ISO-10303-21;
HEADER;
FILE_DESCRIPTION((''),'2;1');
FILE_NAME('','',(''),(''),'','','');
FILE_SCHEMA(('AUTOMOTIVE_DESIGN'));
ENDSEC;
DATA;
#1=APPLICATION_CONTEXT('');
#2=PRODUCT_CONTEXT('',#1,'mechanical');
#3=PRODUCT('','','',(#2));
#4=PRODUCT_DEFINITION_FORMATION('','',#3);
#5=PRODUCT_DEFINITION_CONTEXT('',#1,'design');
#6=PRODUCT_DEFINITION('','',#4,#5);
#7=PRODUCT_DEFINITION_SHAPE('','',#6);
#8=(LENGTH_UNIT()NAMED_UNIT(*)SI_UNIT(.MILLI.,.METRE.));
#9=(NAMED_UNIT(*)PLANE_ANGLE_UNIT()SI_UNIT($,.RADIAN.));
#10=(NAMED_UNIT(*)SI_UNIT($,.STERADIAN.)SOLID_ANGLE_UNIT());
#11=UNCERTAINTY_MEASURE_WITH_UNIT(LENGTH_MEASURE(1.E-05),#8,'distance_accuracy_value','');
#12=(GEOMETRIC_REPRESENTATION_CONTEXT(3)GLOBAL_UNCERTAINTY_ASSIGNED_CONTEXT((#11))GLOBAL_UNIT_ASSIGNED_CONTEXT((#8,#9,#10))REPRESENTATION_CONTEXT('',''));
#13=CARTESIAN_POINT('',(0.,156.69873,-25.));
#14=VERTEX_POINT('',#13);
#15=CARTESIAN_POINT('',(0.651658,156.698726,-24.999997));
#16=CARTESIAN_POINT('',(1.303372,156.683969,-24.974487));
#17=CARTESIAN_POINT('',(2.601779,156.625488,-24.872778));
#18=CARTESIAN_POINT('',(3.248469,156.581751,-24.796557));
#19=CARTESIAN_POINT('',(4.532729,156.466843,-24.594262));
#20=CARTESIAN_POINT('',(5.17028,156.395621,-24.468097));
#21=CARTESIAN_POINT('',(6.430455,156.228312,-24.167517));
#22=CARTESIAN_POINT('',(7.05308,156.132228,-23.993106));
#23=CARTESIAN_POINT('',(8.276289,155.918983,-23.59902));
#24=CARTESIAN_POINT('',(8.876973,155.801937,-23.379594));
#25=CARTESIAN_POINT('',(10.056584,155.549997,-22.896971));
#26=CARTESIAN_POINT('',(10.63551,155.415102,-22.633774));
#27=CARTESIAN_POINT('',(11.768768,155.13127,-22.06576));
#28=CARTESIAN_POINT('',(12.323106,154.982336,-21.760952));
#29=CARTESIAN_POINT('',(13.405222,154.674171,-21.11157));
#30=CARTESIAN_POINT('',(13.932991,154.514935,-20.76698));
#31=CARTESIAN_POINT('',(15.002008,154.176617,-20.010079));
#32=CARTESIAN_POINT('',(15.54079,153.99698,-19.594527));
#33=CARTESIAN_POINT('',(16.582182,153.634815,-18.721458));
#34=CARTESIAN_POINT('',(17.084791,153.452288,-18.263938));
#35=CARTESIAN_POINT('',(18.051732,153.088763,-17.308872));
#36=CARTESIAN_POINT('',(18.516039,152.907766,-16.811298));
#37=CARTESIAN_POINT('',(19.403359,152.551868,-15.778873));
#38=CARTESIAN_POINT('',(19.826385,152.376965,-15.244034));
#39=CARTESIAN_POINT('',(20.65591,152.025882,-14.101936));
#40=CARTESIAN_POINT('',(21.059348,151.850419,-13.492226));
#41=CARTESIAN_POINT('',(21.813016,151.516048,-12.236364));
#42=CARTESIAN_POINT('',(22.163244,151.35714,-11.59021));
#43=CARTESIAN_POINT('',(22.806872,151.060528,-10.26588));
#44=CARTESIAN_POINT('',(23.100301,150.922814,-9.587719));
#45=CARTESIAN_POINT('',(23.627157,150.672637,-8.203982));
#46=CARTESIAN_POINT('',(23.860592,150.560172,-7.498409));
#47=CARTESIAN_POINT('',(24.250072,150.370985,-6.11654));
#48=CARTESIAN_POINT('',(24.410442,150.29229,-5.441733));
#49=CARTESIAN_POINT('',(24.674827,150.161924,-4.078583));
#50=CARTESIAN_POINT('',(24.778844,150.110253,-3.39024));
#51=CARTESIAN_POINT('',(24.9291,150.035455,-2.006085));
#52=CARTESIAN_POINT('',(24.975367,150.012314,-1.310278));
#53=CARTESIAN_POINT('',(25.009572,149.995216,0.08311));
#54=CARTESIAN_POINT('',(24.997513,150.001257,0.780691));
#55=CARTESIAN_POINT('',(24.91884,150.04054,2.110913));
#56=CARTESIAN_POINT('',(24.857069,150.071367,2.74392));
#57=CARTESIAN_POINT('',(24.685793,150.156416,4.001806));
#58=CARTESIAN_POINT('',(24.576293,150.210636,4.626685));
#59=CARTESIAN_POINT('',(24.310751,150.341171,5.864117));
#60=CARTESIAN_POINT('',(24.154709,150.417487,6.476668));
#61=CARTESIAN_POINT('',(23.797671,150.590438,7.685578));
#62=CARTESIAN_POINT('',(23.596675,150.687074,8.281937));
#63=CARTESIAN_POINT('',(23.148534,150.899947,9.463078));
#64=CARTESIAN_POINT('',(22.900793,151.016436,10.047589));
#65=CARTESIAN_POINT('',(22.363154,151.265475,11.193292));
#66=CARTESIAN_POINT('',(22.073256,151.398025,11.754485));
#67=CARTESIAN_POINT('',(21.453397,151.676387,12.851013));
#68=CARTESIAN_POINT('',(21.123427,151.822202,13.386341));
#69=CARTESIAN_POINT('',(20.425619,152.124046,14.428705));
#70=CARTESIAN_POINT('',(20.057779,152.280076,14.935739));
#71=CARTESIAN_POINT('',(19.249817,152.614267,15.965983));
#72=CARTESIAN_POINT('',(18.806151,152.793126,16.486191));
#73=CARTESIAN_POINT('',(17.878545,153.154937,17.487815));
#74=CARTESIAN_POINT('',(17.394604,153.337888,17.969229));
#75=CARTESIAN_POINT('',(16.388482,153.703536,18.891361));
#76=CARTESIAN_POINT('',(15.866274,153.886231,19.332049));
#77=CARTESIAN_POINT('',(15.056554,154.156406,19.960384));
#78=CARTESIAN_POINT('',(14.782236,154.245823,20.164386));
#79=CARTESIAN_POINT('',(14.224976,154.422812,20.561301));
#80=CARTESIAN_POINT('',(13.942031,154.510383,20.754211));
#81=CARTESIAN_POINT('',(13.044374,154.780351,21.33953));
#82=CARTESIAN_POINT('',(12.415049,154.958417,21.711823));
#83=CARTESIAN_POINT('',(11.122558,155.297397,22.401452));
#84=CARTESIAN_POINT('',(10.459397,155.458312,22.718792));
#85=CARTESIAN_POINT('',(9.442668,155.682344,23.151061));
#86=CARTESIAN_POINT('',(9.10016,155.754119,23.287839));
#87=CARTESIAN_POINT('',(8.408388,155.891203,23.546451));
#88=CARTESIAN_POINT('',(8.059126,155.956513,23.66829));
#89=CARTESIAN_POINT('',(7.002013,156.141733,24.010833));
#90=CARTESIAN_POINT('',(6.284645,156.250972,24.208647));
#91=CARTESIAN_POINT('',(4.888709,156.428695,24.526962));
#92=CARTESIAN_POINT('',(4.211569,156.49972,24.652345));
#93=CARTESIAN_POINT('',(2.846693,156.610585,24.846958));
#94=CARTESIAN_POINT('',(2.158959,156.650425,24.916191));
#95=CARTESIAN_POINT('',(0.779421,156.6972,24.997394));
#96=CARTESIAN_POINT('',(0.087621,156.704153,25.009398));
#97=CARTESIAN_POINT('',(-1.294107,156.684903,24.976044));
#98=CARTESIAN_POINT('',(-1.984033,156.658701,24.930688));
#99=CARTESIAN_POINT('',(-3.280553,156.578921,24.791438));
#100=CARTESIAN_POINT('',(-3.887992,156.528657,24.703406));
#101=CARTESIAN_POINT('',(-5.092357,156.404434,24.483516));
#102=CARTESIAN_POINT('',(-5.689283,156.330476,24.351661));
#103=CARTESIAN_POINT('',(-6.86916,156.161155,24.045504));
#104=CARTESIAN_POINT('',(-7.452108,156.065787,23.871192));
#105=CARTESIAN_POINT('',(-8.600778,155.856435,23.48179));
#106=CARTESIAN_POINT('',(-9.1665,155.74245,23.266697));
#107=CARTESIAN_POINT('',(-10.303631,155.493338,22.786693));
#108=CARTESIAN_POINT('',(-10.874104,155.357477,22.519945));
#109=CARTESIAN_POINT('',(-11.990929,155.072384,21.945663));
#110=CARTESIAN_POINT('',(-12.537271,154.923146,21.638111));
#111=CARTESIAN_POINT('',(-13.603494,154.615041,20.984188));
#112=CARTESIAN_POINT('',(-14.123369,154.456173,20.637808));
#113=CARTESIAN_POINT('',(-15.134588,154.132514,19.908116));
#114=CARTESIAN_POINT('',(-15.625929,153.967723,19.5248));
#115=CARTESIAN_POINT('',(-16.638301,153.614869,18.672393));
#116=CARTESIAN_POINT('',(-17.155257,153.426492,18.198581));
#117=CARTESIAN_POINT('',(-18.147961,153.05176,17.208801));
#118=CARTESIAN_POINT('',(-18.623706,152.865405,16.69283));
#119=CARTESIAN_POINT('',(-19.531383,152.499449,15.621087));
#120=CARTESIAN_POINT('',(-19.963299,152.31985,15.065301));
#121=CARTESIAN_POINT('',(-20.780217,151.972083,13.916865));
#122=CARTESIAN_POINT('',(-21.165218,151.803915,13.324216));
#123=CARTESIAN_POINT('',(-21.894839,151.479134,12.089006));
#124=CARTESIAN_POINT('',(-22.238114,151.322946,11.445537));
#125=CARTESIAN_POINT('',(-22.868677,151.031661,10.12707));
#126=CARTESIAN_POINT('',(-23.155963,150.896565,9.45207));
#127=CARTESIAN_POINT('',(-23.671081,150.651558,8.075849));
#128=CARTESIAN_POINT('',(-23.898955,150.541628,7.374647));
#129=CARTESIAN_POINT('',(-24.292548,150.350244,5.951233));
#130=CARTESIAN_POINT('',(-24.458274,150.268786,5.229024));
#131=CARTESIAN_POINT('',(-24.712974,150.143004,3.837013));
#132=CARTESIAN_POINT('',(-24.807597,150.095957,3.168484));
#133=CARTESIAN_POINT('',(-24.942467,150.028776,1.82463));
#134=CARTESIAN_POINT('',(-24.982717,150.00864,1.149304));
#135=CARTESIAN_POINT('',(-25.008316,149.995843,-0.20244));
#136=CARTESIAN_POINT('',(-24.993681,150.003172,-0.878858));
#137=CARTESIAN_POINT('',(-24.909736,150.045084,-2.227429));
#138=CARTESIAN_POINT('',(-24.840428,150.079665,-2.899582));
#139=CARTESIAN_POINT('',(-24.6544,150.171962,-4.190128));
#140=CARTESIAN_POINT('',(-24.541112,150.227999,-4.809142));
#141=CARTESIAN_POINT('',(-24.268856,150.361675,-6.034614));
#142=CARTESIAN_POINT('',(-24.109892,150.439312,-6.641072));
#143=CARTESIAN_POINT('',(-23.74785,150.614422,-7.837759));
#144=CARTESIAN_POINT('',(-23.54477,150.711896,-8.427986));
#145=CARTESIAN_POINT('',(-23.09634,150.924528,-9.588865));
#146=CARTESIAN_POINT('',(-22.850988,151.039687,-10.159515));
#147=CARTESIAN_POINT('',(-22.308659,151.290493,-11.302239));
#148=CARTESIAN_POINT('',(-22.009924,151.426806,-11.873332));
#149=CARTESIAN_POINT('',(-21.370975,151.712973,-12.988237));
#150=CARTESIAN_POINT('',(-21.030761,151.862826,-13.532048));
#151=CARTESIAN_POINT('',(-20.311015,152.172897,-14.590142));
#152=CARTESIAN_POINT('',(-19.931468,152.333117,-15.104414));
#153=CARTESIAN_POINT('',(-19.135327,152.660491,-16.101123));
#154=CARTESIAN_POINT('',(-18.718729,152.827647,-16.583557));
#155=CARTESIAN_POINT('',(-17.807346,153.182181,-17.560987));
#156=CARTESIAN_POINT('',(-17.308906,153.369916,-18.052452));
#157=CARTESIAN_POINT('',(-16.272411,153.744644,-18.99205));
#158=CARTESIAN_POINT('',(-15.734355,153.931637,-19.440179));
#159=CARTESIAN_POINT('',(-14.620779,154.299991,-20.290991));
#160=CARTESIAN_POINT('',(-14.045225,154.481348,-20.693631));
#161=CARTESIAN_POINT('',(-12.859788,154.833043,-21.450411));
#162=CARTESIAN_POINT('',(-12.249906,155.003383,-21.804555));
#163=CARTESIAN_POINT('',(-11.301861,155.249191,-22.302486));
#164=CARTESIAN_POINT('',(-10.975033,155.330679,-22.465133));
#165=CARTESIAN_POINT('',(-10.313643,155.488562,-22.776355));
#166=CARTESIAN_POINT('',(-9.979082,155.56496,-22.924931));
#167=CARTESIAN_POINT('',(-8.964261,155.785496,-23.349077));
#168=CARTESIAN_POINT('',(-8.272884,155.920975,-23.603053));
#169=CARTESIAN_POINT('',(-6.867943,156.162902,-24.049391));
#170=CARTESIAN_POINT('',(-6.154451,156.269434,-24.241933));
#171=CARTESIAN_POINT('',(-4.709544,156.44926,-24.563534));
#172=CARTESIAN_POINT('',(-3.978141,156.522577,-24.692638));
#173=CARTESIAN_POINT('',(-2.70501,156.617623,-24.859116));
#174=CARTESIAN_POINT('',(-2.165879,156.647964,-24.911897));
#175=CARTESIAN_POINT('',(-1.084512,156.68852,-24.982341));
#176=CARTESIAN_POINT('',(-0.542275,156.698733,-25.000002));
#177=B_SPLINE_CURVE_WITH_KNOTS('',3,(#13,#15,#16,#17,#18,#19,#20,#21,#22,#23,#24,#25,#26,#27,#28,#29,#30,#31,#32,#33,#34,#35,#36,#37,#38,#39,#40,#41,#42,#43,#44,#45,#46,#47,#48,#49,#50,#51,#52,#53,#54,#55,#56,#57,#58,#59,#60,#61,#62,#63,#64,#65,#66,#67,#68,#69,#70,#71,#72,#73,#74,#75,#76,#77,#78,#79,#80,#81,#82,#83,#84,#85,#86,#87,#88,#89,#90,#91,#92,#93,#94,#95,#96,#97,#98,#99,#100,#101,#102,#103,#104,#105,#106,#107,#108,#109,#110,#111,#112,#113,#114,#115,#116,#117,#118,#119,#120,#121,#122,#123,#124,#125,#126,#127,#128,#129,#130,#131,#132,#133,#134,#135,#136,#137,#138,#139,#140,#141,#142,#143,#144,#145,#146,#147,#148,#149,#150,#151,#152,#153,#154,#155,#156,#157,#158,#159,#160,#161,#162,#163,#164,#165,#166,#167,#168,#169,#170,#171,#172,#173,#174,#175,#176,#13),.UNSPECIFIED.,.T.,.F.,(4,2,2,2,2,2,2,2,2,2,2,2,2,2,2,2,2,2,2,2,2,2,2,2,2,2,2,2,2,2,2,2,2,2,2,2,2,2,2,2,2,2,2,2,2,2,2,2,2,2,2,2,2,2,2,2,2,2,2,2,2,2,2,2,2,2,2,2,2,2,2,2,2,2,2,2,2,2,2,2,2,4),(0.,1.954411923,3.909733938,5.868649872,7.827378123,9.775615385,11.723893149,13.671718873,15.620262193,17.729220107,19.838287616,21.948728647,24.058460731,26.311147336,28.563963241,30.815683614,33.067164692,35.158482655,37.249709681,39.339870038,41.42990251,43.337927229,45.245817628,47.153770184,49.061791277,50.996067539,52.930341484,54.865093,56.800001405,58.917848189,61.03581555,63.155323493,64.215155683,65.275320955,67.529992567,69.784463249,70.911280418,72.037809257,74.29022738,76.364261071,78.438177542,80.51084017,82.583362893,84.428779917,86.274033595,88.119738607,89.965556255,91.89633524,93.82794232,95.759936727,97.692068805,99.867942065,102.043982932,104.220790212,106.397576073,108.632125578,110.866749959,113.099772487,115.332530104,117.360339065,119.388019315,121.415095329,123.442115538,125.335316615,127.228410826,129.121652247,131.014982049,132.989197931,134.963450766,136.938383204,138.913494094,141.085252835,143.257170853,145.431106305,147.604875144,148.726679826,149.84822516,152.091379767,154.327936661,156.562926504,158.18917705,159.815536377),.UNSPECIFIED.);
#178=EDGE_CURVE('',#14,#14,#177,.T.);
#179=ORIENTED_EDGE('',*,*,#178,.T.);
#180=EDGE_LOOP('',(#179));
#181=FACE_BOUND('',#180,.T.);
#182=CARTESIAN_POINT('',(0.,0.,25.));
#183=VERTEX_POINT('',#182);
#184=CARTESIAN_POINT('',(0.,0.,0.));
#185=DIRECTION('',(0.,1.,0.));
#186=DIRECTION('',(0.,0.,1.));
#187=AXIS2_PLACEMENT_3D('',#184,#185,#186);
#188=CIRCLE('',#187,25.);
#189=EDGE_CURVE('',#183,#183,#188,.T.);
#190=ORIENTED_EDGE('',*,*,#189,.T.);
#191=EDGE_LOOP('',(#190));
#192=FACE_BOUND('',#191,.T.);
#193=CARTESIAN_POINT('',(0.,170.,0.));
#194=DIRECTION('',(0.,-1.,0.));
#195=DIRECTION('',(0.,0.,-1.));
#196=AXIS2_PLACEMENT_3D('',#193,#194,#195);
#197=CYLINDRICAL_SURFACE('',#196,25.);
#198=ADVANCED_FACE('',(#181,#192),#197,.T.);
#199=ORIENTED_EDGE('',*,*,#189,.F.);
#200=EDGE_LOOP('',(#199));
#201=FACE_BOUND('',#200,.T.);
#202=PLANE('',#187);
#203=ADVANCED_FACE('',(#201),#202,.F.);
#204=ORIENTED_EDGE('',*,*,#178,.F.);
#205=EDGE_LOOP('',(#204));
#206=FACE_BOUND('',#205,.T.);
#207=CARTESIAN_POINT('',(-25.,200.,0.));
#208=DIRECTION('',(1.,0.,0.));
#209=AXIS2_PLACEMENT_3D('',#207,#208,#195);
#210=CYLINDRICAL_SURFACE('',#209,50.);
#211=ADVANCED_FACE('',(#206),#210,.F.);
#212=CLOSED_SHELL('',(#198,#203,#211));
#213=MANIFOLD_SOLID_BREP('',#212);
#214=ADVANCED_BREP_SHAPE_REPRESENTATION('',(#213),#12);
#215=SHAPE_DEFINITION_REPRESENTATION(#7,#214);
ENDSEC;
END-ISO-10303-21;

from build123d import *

# Parameters (mm, degrees)
CROQUIS1_R                 = 25
SALIENTE_EXTRUIR1_DEPTH    = 170
CORTAR_EXTRUIR1_DEPTH      = 174.637553542
CORTAR_EXTRUIR1_DEPTH_BACK = 174.637553542
CROQUIS5_R                 = 50


with BuildPart() as part:
    # Croquis1 → Saliente-Extruir1 (new body)
    with BuildSketch(Plane(origin=(0, 0, 0), x_dir=(1, 0, 0), z_dir=(0, 1, 0))):
        with Locations(Location((0, 0, 0), (0, 0, 270))):
            Circle(CROQUIS1_R)
    extrude(amount=SALIENTE_EXTRUIR1_DEPTH)

    # Croquis5 → Cortar-Extruir1 (cut, two sides: drawn at the far end of the back side and taken through both)
    with BuildSketch(Plane(origin=(0, 0, 0), x_dir=(0, 0, -1), z_dir=(1, 0, 0)).offset(-CORTAR_EXTRUIR1_DEPTH_BACK)):
        with Locations((0, 200)):
            Circle(CROQUIS5_R)
    extrude(amount=CORTAR_EXTRUIR1_DEPTH + CORTAR_EXTRUIR1_DEPTH_BACK, mode=Mode.SUBTRACT)


solid = part.part
